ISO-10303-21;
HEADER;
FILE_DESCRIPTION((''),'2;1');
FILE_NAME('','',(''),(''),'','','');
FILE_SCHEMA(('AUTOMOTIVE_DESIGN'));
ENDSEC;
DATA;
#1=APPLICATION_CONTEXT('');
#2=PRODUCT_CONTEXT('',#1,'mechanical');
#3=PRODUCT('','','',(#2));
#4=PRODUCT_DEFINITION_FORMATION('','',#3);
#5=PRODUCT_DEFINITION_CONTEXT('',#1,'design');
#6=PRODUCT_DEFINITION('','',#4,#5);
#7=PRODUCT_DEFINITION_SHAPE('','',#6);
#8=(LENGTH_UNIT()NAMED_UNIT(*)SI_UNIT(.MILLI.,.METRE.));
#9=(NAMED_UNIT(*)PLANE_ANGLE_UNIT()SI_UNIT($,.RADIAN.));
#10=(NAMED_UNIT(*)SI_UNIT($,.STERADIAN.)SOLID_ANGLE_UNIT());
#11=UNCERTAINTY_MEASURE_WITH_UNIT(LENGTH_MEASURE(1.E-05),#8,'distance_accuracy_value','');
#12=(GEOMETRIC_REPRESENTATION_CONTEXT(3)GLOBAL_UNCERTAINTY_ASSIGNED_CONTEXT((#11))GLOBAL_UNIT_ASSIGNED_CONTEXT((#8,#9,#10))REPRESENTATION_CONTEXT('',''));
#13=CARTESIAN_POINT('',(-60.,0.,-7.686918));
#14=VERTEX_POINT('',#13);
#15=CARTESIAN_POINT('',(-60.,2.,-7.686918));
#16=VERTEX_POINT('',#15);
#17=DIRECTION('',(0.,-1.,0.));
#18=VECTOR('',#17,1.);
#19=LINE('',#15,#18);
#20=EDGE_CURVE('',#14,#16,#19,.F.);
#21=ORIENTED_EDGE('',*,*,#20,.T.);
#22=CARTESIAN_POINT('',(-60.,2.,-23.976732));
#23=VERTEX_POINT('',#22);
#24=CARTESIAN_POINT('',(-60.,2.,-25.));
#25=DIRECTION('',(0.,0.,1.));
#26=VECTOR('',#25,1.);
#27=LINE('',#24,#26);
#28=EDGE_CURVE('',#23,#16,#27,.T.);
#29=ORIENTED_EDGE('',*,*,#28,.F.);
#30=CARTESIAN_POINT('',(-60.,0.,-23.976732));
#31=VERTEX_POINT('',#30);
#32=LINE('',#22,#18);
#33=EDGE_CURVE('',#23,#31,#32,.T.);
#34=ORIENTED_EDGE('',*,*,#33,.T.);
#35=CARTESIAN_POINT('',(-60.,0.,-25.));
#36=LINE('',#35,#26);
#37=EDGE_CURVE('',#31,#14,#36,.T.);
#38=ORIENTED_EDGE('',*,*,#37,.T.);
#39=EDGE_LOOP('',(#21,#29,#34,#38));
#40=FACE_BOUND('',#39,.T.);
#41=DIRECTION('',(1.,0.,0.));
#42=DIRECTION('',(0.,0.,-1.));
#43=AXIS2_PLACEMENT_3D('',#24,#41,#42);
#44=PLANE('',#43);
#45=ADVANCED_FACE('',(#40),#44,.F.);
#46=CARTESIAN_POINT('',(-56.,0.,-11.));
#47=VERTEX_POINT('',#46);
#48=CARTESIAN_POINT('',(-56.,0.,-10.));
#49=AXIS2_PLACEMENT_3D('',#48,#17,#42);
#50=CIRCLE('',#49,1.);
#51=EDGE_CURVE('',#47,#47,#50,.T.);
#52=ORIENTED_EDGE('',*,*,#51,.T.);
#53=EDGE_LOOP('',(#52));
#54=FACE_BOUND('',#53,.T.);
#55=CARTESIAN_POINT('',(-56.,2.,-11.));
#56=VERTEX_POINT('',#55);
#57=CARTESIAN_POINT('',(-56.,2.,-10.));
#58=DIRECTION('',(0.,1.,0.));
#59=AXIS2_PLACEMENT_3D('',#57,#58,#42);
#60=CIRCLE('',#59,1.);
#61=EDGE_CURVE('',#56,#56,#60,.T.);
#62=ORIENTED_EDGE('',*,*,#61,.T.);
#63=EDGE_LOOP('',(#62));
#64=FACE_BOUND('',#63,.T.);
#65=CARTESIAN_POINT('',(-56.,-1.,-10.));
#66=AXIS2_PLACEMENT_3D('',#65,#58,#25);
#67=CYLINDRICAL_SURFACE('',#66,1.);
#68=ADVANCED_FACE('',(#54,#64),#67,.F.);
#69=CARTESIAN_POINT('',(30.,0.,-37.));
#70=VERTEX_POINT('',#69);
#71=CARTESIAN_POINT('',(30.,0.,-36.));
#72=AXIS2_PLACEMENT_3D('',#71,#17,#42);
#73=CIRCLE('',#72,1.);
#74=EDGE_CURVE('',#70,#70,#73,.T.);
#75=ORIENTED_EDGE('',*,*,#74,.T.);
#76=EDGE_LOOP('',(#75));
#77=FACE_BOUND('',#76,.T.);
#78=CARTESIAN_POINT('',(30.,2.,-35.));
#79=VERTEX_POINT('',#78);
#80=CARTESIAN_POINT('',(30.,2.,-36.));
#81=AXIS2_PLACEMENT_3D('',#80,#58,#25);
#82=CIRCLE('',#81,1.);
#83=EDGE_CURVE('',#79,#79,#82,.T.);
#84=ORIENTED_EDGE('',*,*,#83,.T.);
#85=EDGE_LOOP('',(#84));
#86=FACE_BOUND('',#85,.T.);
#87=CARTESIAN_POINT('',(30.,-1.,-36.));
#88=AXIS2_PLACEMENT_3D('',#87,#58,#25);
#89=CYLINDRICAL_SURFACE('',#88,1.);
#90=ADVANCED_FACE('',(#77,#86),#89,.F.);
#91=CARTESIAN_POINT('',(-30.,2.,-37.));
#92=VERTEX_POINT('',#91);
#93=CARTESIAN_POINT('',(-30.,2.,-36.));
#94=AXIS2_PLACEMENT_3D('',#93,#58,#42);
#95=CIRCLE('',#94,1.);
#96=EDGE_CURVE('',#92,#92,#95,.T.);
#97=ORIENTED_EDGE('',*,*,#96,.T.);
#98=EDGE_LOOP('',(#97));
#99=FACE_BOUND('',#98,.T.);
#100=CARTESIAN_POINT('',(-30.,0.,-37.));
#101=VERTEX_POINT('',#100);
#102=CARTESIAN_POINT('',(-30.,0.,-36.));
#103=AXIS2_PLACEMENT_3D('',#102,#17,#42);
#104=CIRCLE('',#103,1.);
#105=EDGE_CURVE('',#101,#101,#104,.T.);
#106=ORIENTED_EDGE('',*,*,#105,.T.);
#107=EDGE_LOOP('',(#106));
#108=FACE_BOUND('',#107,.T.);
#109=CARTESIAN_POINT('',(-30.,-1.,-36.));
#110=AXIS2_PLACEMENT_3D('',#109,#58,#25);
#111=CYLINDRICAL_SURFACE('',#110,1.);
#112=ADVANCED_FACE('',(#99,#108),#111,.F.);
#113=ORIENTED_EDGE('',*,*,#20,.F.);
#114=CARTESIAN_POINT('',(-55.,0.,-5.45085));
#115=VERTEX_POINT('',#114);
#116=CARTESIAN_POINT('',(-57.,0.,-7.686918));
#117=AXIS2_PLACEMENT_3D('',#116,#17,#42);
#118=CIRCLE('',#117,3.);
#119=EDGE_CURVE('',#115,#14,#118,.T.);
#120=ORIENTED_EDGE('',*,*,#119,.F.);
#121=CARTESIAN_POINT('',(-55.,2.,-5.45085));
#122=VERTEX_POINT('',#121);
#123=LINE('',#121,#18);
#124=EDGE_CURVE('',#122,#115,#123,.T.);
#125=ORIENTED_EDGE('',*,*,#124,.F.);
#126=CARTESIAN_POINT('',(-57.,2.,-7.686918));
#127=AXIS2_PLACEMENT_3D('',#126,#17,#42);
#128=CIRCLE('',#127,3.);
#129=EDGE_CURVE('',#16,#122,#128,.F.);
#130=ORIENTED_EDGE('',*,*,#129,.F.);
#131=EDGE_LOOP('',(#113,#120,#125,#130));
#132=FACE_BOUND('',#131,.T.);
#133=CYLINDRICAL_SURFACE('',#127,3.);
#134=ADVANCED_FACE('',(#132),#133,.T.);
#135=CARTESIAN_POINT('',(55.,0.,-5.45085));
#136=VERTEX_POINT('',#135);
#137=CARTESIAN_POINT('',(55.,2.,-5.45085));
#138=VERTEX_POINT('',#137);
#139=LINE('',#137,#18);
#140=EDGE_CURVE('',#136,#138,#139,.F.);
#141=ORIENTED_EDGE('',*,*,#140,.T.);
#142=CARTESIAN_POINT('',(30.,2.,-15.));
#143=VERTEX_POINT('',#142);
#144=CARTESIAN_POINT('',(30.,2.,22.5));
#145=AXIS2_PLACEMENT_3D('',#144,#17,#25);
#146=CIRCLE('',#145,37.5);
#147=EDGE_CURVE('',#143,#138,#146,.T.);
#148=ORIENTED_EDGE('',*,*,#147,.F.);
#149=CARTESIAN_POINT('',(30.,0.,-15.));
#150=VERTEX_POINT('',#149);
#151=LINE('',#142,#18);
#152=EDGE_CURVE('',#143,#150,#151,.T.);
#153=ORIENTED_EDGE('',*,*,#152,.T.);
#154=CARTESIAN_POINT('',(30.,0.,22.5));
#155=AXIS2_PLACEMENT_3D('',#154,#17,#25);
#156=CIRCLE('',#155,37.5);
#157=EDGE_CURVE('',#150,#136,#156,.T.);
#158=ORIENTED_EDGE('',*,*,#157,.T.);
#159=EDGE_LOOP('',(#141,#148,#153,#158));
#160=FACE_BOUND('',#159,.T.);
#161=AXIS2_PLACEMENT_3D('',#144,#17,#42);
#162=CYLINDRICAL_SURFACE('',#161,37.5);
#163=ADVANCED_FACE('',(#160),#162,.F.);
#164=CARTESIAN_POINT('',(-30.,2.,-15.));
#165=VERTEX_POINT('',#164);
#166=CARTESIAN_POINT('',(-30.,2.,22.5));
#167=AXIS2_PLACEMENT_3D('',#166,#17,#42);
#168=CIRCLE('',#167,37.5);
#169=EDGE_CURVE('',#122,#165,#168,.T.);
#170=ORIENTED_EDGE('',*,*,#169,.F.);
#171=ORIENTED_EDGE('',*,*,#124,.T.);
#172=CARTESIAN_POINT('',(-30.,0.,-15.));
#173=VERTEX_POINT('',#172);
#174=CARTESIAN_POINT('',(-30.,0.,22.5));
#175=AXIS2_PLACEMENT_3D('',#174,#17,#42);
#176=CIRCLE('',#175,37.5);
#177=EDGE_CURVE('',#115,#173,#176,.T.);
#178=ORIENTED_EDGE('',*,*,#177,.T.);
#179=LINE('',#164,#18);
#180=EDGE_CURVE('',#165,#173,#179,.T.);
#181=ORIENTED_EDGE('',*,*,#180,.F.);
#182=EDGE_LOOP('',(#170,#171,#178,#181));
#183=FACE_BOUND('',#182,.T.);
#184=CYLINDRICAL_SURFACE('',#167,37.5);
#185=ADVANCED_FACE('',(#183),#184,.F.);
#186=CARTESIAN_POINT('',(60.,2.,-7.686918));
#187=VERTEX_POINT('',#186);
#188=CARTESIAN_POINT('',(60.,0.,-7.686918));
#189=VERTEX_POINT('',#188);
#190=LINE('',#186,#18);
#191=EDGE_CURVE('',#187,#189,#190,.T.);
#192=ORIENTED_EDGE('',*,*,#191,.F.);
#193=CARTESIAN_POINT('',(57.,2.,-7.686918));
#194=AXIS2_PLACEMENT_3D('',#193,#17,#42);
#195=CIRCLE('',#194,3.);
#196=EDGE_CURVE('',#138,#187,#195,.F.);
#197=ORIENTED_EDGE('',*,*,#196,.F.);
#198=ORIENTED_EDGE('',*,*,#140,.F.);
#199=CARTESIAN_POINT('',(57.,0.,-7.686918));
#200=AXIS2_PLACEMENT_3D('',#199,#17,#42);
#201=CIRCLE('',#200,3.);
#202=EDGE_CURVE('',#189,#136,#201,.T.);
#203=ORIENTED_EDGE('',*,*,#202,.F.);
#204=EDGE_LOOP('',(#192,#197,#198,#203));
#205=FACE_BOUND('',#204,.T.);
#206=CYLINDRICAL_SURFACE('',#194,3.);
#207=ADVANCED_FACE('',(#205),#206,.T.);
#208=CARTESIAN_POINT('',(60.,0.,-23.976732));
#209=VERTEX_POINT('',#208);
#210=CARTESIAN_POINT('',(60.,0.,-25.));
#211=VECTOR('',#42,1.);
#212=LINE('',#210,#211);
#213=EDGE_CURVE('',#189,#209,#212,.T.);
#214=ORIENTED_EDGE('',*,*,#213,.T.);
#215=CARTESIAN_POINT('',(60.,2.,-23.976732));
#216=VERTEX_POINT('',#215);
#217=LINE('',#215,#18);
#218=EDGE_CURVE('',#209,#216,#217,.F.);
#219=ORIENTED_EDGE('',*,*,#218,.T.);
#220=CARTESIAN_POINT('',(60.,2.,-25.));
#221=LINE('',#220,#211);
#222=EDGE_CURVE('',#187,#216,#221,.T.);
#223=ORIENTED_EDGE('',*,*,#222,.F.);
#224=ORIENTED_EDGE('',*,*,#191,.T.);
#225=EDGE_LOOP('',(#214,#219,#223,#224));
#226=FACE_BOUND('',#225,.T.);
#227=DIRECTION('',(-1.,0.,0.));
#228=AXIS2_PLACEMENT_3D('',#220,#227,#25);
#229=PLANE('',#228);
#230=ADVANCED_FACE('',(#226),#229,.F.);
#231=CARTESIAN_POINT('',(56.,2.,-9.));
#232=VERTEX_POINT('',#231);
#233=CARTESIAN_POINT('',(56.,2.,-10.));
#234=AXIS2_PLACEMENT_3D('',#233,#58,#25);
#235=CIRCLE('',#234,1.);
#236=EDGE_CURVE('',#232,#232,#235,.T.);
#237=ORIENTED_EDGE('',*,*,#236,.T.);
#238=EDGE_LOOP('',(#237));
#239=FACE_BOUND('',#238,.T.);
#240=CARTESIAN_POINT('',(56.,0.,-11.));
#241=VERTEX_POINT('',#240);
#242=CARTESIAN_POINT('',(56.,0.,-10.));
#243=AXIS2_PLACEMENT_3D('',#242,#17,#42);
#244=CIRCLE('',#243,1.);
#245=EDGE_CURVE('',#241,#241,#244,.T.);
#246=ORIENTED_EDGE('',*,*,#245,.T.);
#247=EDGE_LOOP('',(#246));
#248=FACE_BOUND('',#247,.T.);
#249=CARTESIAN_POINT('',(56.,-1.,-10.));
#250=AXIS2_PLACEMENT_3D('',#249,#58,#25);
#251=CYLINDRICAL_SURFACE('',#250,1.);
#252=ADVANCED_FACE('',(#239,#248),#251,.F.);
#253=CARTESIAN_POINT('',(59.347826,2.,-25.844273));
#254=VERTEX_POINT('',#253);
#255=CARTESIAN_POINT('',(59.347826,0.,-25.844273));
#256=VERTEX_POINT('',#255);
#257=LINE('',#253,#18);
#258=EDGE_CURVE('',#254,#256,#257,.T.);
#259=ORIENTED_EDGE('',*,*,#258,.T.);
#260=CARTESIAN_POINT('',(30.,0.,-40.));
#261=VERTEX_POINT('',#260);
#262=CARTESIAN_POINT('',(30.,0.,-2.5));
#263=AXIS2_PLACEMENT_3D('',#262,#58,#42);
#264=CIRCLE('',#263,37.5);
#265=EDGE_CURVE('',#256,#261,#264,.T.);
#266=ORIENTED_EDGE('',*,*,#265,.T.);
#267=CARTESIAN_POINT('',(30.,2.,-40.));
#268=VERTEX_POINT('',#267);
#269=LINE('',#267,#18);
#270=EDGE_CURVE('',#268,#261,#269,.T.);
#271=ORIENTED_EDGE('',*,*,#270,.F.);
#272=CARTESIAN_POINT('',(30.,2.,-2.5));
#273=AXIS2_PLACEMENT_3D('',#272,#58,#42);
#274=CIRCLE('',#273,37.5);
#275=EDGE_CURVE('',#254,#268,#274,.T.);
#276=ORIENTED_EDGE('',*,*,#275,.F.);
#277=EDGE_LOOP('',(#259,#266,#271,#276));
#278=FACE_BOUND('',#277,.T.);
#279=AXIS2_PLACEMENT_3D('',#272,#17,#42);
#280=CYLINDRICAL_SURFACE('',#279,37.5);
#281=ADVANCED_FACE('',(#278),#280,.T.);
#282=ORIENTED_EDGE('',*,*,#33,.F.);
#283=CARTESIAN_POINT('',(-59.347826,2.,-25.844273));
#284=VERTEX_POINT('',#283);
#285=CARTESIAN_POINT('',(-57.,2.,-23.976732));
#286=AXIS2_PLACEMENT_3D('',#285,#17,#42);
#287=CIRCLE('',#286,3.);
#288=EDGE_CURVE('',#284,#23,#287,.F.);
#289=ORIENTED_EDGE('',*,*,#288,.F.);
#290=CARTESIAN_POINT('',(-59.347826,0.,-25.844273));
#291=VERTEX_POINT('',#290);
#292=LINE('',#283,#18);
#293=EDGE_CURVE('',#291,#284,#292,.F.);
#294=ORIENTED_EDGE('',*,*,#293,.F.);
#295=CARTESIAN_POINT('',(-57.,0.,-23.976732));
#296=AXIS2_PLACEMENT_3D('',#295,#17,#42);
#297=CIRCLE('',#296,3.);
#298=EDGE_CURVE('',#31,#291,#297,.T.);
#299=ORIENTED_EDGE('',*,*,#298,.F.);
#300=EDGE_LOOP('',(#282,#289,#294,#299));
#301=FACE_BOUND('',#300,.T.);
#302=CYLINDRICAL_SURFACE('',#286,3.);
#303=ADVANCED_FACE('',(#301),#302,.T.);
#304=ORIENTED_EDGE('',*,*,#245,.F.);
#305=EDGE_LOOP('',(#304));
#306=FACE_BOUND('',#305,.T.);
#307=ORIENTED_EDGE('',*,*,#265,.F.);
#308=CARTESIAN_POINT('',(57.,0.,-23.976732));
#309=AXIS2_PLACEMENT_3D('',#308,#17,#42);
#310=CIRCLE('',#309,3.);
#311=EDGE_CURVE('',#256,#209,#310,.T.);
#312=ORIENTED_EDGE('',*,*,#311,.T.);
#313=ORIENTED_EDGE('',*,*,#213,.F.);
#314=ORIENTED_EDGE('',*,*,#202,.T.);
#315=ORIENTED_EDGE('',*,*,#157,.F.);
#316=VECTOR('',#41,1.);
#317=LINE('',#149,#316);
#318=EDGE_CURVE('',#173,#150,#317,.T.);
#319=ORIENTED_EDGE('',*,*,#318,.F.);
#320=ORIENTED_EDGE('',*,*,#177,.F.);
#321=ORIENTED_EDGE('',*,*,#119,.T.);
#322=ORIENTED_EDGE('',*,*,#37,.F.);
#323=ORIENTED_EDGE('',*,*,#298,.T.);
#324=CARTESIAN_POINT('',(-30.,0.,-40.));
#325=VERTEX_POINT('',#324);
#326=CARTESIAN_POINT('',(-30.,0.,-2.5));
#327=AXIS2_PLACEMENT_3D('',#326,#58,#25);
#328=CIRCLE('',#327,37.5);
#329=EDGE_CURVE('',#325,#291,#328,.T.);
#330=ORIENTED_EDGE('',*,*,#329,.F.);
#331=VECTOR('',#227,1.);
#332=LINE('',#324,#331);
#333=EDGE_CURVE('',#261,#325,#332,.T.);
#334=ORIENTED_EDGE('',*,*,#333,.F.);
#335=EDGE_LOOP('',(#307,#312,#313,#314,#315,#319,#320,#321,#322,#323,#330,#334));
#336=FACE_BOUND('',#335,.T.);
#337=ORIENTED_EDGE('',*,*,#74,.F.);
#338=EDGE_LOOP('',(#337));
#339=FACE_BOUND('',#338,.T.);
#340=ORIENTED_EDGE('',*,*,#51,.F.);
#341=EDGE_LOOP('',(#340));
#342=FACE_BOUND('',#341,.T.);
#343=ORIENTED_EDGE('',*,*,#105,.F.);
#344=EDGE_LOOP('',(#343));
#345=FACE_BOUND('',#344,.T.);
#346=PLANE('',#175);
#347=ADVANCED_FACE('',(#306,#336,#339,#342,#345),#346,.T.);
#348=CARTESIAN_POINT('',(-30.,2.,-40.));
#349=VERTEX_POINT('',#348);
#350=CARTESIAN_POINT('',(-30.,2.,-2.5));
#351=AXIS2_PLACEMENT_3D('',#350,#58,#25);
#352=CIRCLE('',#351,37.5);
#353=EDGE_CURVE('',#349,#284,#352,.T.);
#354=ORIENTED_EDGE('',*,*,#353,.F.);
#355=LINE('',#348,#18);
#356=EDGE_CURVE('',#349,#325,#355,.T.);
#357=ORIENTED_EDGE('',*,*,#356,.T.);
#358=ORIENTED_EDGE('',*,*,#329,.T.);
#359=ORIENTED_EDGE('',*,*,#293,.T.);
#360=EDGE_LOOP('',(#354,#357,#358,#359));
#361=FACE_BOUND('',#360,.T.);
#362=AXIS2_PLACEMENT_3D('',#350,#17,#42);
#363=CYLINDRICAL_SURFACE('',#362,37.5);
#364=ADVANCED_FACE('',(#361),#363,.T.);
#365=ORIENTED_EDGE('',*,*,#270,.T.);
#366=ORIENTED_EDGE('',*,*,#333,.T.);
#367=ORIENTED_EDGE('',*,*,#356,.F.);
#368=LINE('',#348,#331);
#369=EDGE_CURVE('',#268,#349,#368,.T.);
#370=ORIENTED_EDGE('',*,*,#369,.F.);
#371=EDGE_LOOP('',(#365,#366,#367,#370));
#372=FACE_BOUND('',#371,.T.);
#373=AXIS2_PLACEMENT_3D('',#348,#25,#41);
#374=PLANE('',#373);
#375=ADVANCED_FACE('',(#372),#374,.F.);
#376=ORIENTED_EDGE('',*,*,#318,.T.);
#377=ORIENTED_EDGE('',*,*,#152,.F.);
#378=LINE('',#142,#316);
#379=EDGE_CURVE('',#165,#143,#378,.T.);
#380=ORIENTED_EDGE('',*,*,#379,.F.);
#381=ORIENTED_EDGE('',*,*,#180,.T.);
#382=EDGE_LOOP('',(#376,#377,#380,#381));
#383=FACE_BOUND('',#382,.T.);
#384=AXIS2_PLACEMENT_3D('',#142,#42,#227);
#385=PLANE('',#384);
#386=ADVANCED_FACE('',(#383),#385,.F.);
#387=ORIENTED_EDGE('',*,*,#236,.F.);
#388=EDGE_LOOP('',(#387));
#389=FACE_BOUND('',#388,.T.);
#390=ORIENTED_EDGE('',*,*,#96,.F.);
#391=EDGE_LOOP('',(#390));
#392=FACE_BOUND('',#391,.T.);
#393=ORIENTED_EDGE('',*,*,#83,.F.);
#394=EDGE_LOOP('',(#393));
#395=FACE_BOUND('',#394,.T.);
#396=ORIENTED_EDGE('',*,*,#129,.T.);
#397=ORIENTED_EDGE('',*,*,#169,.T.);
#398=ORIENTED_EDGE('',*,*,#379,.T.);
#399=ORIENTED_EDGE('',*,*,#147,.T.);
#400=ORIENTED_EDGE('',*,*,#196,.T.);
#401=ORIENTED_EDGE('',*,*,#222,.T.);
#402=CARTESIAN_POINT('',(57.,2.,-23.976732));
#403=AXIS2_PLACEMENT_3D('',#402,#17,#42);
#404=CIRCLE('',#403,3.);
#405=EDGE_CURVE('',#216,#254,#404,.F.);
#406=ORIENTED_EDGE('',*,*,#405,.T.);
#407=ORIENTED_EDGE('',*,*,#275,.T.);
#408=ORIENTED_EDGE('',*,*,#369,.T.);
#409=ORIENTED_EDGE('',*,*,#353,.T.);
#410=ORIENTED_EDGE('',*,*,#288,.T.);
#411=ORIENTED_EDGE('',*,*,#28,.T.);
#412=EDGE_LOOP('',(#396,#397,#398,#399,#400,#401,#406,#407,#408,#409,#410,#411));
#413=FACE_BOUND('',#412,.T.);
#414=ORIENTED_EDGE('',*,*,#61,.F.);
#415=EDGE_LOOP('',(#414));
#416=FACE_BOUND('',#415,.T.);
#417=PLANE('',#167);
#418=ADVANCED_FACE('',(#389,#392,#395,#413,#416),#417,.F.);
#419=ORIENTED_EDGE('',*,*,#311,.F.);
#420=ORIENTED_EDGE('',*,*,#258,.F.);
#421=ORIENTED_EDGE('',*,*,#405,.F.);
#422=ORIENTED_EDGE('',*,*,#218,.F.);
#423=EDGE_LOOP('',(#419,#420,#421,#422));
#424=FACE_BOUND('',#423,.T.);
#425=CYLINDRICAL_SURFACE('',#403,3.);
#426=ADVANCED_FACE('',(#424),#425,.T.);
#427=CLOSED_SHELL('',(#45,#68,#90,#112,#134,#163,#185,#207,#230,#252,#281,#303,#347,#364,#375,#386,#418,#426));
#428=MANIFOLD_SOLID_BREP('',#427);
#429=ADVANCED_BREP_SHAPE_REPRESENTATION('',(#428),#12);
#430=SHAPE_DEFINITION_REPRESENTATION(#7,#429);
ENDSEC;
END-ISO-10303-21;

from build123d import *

# Parameters (mm, degrees)
BOSS_EXTRUDE1_DEPTH = 2
SKETCH2_R           = 1
CUT_EXTRUDE1_DEPTH  = 3
FILLET2_R           = 3


with BuildPart() as part:
    # Sketch1 → Boss-Extrude1 (new body)
    with BuildSketch(Plane(origin=(0, 0, 0), x_dir=(1, 0, 0), z_dir=(0, 1, 0))):
        with BuildLine():
            Line((-30, 40), (30, 40))
            ThreePointArc((30, 40), (46.770509831, 36.041019662), (60, 25))
            Line((60, 25), (60, 0))
            ThreePointArc((60, 0), (46.770509831, 11.041019662), (30, 15))
            Line((30, 15), (-30, 15))
            ThreePointArc((-30, 15), (-46.770509831, 11.041019662), (-60, 0))
            Line((-60, 0), (-60, 25))
            ThreePointArc((-60, 25), (-46.770509831, 36.041019662), (-30, 40))
        make_face()
    extrude(amount=BOSS_EXTRUDE1_DEPTH)

    # Sketch2 → Cut-Extrude1 (cut)
    with BuildSketch(Plane(origin=(0, 2, 0), x_dir=(1, 0, 0), z_dir=(0, 1, 0))):
        with Locations(Location((56, 10, 0), (0, 0, 270))):
            Circle(SKETCH2_R)
        with Locations(Location((30, 36, 0), (0, 0, 270))):
            Circle(SKETCH2_R)
        with Locations(Location((-56, 10, 0), (0, 0, 90))):
            Circle(SKETCH2_R)
        with Locations(Location((-30, 36, 0), (0, 0, 90))):
            Circle(SKETCH2_R)
    extrude(amount=-CUT_EXTRUDE1_DEPTH, mode=Mode.SUBTRACT)

    # Fillet2
    fillet2_edges = [part.edges().sort_by_distance(p)[0] for p in [
        (-60, 1, 0),
        (-60, 1, -25),
        (60, 1, -25),
        (60, 1, 0),
    ]]
    fillet(fillet2_edges, radius=FILLET2_R)


solid = part.part
